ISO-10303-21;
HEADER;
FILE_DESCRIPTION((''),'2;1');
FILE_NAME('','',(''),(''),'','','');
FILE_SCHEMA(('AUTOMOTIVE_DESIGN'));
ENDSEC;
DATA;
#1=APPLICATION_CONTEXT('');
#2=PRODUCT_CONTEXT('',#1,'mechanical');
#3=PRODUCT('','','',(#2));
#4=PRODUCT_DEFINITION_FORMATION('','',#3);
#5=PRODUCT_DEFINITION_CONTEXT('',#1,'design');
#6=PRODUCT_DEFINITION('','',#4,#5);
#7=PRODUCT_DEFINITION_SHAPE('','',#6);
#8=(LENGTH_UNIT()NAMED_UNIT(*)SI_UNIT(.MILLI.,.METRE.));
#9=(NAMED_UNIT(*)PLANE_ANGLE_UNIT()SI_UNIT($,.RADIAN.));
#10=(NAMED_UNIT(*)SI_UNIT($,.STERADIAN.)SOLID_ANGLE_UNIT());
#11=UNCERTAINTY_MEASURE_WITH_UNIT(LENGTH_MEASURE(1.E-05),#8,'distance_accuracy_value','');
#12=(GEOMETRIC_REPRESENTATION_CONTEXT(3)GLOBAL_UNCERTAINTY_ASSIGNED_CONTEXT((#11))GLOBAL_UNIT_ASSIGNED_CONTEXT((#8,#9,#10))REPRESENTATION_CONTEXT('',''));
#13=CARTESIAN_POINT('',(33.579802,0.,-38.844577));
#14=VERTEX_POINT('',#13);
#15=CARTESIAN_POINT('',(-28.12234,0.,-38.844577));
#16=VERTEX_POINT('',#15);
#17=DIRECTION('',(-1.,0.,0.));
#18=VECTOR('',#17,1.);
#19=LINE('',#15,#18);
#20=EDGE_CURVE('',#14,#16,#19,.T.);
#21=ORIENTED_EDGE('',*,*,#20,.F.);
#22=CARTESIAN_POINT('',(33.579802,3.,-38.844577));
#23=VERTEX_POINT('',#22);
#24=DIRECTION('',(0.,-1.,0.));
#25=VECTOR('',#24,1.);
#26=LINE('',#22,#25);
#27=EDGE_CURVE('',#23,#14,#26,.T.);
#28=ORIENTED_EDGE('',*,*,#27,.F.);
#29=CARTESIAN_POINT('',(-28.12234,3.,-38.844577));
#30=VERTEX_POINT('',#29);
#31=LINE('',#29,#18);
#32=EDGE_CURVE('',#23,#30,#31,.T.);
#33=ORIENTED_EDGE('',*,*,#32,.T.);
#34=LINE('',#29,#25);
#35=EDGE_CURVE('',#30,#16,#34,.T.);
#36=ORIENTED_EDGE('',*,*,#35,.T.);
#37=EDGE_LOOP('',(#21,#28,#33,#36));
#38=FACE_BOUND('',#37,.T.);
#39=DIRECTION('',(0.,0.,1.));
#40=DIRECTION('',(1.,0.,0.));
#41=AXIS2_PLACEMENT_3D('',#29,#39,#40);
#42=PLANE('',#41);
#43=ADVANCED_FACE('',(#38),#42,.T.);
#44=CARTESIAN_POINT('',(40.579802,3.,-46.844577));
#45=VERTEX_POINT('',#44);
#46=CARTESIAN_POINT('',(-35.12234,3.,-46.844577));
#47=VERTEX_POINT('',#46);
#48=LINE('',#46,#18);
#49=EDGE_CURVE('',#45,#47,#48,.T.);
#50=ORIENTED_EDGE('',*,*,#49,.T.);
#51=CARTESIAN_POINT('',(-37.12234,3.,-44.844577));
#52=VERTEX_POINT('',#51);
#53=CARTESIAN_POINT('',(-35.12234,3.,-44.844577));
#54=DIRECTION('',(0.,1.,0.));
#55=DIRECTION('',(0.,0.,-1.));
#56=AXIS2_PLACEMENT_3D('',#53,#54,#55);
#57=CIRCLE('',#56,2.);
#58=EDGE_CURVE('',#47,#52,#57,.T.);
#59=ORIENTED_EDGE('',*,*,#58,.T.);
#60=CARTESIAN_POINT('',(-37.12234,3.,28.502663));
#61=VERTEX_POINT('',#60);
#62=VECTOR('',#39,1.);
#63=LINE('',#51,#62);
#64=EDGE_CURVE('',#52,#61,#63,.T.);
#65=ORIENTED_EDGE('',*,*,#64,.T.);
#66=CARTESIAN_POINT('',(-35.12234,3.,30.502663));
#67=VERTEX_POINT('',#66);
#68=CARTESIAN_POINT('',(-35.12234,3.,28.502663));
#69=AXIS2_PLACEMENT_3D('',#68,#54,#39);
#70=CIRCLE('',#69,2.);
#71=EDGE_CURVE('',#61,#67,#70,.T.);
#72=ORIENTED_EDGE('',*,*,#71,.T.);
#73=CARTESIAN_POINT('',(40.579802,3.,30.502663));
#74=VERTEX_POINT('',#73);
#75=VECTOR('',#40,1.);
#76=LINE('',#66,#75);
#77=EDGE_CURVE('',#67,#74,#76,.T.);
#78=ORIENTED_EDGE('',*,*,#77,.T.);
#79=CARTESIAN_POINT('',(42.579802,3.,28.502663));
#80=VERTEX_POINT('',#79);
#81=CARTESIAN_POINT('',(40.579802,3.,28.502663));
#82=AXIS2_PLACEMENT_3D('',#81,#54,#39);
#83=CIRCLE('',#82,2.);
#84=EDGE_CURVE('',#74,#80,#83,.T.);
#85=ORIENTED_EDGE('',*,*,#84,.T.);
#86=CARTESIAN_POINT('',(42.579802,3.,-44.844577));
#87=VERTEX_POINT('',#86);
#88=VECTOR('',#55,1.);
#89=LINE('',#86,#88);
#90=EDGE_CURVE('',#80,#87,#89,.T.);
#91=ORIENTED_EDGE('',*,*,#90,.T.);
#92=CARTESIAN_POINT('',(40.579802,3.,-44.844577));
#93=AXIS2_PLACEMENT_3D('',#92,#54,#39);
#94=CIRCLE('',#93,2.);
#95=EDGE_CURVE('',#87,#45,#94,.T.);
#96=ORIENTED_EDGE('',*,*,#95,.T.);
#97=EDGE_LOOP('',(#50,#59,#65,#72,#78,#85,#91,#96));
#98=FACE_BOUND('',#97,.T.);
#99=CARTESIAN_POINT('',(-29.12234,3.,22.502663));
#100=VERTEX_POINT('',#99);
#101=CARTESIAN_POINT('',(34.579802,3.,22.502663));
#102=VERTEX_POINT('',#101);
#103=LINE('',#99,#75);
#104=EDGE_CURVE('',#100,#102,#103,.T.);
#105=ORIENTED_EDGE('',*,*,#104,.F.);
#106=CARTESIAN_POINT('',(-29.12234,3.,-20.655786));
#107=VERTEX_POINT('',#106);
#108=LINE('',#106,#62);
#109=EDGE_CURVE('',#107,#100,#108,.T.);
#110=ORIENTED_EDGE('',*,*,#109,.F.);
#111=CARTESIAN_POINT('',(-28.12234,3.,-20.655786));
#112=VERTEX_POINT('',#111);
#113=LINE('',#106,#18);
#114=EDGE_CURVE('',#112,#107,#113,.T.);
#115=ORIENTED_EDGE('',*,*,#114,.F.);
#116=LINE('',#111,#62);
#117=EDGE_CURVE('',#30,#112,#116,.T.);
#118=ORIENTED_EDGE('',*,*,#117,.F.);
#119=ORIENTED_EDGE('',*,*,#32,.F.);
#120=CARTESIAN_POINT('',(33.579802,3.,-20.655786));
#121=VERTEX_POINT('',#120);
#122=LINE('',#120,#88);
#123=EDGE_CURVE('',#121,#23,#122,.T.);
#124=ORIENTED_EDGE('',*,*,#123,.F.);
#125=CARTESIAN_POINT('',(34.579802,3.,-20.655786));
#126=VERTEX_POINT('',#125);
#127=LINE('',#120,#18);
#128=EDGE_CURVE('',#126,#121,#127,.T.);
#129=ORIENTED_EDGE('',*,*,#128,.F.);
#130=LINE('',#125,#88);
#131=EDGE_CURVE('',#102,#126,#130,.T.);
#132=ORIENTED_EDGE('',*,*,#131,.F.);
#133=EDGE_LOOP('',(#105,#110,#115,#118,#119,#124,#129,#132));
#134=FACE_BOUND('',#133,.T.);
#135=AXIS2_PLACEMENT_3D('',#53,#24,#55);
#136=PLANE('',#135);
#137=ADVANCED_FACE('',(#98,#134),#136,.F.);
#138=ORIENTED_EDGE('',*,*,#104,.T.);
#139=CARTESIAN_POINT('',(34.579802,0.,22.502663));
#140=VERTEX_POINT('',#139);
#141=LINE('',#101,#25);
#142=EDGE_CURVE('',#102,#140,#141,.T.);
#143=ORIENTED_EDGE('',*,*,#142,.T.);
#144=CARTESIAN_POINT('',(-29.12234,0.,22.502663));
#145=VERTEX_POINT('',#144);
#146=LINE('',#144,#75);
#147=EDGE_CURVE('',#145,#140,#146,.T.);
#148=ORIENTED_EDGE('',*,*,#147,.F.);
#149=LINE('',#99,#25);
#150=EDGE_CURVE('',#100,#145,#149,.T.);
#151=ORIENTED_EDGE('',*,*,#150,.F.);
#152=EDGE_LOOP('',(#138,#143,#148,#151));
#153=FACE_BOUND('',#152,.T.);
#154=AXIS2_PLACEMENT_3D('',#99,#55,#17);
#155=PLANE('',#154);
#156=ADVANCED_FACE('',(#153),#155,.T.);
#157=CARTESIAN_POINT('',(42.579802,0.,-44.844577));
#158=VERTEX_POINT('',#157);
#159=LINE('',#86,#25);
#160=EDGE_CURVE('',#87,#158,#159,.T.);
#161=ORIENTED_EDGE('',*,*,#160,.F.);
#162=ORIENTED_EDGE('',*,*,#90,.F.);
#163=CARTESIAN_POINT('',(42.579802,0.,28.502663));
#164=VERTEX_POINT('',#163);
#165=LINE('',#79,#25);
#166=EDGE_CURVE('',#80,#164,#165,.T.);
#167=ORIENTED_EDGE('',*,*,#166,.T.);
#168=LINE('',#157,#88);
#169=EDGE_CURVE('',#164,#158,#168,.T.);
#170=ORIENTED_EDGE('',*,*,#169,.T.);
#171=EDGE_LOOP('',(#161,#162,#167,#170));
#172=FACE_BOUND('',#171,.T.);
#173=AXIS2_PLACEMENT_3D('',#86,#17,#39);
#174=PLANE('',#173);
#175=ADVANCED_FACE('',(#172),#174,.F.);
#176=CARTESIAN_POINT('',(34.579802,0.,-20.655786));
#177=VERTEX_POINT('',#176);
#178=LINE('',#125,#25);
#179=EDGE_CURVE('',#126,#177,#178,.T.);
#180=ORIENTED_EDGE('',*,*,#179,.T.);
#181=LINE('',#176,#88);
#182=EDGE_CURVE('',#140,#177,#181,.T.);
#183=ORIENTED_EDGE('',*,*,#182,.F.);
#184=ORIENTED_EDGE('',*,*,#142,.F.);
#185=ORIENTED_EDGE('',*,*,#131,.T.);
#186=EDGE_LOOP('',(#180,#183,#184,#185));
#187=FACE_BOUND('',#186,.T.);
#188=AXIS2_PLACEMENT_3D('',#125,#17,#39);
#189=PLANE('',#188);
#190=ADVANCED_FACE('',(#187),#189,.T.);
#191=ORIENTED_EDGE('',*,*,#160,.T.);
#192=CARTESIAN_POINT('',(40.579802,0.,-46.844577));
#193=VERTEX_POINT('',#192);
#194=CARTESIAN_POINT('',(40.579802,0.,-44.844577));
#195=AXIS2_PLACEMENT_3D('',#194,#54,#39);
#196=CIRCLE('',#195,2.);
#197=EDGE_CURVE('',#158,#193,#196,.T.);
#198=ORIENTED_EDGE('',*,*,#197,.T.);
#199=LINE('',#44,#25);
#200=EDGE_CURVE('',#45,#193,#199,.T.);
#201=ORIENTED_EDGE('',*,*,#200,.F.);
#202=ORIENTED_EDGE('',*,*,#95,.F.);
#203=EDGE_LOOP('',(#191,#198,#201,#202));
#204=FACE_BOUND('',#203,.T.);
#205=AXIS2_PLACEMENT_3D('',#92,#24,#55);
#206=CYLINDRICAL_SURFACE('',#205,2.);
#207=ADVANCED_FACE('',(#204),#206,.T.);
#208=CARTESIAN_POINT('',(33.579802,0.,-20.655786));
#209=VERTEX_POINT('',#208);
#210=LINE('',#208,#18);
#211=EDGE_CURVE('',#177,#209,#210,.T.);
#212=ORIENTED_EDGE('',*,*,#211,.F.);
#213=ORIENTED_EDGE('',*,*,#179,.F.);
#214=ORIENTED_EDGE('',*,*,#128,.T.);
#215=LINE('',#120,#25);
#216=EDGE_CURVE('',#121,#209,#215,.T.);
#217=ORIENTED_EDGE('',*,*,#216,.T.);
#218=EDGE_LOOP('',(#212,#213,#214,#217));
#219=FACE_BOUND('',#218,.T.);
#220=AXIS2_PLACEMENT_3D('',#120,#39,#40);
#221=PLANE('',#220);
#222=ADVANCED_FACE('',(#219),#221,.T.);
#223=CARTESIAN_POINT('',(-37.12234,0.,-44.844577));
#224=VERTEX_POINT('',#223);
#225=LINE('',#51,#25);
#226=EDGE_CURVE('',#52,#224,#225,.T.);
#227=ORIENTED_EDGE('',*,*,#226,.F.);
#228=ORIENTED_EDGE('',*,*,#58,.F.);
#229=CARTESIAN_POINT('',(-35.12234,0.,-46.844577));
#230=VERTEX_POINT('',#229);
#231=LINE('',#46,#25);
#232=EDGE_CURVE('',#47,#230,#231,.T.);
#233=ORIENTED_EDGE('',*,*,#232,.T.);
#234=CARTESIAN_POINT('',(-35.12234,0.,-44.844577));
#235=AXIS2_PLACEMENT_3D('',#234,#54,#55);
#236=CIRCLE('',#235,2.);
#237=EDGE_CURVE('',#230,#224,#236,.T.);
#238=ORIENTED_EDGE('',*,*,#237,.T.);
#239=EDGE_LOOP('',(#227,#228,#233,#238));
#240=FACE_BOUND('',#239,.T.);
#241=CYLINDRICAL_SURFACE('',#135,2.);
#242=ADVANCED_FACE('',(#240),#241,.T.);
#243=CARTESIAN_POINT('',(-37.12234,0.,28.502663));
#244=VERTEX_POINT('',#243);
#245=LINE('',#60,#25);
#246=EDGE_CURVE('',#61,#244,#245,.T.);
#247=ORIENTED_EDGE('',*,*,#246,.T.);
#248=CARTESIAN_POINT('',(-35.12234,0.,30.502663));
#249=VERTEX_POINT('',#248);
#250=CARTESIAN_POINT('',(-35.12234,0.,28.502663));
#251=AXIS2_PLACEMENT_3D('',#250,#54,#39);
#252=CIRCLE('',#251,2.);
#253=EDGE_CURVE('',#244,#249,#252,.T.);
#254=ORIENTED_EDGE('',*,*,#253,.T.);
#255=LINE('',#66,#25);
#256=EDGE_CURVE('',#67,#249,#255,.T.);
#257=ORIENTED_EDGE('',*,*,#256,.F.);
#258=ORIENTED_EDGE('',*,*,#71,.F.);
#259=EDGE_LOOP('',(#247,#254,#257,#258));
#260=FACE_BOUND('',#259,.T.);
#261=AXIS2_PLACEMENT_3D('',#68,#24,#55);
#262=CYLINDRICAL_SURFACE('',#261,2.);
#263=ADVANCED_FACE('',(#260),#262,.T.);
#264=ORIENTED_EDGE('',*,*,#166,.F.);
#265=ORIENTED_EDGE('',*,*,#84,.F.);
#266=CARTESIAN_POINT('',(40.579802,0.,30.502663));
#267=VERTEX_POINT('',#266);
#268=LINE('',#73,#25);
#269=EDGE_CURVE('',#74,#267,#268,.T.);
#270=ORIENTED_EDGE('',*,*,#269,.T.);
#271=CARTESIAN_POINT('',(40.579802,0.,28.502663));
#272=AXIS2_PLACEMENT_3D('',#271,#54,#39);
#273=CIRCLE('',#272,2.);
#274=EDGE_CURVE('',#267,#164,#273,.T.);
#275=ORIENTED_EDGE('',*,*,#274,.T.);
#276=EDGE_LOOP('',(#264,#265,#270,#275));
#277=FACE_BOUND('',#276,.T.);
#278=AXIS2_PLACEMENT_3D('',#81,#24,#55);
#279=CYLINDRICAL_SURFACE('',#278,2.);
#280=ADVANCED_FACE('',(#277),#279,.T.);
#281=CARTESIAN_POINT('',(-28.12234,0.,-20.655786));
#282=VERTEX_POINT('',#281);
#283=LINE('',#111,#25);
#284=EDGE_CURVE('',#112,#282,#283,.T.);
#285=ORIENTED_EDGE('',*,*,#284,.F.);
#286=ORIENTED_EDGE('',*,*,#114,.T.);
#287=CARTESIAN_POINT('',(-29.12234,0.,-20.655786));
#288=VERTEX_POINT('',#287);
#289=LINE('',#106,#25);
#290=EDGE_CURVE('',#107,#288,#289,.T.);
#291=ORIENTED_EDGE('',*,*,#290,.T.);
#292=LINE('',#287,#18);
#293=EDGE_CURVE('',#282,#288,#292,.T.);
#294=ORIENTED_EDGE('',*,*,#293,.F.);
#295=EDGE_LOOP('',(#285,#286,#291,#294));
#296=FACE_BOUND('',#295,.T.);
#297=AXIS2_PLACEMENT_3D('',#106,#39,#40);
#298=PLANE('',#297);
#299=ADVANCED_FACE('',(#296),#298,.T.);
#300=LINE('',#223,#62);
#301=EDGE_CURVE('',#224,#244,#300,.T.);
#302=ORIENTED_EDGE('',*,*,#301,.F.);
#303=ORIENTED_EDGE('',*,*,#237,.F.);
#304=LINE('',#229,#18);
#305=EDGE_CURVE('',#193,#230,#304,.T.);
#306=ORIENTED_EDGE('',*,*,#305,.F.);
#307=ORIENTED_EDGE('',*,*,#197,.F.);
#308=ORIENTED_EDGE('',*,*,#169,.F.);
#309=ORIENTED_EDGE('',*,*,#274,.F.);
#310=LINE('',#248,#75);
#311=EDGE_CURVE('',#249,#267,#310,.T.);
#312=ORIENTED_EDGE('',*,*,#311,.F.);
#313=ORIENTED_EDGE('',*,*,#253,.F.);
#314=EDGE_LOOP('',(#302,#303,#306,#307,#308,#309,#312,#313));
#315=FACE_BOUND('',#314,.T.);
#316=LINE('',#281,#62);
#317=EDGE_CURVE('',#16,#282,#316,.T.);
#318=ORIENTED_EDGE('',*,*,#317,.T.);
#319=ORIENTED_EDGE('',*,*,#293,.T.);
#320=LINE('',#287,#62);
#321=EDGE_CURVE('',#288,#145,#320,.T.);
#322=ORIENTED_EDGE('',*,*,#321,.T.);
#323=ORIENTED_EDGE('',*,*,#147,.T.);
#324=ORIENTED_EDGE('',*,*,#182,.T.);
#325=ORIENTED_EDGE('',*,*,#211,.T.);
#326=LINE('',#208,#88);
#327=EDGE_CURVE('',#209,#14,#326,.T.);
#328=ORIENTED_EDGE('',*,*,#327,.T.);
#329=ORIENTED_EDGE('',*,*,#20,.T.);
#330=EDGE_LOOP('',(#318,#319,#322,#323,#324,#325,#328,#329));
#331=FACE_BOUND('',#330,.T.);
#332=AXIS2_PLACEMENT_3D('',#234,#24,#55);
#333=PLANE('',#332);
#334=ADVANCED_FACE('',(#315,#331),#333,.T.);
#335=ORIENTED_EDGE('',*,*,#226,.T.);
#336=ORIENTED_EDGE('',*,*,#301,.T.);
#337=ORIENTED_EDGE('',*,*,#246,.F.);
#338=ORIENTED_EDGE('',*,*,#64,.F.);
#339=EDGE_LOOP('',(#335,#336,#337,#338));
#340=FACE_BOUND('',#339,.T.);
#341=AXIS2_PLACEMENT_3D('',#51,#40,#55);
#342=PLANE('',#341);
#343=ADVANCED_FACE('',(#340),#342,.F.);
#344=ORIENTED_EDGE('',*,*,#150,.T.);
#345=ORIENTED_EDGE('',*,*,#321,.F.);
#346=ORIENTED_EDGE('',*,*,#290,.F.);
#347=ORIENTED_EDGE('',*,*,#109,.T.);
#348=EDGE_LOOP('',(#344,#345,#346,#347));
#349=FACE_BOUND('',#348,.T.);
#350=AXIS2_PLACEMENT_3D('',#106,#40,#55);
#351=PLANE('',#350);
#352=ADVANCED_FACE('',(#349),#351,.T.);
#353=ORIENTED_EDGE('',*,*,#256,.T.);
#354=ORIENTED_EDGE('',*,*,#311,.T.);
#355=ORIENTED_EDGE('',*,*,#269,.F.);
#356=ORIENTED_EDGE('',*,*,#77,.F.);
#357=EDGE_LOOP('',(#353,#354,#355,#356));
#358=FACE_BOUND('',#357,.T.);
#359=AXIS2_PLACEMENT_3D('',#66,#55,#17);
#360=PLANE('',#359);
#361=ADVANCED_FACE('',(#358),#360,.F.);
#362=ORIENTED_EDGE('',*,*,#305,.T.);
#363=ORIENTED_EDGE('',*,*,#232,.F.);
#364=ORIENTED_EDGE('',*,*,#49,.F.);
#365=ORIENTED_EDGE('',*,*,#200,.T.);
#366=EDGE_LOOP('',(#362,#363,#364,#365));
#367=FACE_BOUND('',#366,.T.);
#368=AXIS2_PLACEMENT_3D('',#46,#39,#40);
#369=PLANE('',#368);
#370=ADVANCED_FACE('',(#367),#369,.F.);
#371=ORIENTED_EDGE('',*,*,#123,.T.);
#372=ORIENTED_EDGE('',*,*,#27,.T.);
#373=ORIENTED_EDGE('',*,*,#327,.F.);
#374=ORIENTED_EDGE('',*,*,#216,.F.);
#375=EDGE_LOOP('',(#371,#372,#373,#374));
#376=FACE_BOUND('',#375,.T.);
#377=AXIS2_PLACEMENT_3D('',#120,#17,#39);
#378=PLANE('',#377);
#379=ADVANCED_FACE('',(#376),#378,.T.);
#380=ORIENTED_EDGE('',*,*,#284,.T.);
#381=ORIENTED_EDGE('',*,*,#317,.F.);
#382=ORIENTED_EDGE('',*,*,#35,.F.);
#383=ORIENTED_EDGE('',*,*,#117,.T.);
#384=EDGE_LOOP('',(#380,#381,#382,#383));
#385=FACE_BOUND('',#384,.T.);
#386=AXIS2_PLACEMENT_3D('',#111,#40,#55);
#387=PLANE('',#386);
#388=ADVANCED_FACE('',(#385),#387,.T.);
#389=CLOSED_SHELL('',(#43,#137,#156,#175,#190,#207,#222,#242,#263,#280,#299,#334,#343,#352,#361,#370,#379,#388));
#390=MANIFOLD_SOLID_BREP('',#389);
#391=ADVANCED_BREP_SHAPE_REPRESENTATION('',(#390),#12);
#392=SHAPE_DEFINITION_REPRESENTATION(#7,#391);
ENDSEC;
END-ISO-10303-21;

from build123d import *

# Parameters (mm, degrees)
EXTRUDE_1_DEPTH = 3


with BuildPart() as part:
    # 草图1 → 凸台-拉伸1 (new body)
    with BuildSketch(Plane(origin=(0, 0, 0), x_dir=(1, 0, 0), z_dir=(0, 1, 0))):
        with BuildLine():
            Line((-35.122340396, 46.844577244), (40.579802215, 46.844577244))
            ThreePointArc((40.579802215, 46.844577244), (41.994015777, 46.258790806), (42.579802215, 44.844577244))
            Line((42.579802215, 44.844577244), (42.579802215, -28.502662655))
            ThreePointArc((42.579802215, -28.502662655), (41.994015777, -29.916876218), (40.579802215, -30.502662655))
            Line((40.579802215, -30.502662655), (-35.122340396, -30.502662655))
            ThreePointArc((-35.122340396, -30.502662655), (-36.536553959, -29.916876218), (-37.122340396, -28.502662655))
            Line((-37.122340396, -28.502662655), (-37.122340396, 44.844577244))
            ThreePointArc((-37.122340396, 44.844577244), (-36.536553959, 46.258790806), (-35.122340396, 46.844577244))
        make_face()
        Polygon((-28.122340396, 20.655786491), (-28.122340396, 38.844577244), (33.579802215, 38.844577244), (33.579802215, 20.655786491), (34.579802215, 20.655786491), (34.579802215, -22.502662655), (-29.122340396, -22.502662655), (-29.122340396, 20.655786491), align=None, mode=Mode.SUBTRACT)
    extrude(amount=EXTRUDE_1_DEPTH)


solid = part.part
